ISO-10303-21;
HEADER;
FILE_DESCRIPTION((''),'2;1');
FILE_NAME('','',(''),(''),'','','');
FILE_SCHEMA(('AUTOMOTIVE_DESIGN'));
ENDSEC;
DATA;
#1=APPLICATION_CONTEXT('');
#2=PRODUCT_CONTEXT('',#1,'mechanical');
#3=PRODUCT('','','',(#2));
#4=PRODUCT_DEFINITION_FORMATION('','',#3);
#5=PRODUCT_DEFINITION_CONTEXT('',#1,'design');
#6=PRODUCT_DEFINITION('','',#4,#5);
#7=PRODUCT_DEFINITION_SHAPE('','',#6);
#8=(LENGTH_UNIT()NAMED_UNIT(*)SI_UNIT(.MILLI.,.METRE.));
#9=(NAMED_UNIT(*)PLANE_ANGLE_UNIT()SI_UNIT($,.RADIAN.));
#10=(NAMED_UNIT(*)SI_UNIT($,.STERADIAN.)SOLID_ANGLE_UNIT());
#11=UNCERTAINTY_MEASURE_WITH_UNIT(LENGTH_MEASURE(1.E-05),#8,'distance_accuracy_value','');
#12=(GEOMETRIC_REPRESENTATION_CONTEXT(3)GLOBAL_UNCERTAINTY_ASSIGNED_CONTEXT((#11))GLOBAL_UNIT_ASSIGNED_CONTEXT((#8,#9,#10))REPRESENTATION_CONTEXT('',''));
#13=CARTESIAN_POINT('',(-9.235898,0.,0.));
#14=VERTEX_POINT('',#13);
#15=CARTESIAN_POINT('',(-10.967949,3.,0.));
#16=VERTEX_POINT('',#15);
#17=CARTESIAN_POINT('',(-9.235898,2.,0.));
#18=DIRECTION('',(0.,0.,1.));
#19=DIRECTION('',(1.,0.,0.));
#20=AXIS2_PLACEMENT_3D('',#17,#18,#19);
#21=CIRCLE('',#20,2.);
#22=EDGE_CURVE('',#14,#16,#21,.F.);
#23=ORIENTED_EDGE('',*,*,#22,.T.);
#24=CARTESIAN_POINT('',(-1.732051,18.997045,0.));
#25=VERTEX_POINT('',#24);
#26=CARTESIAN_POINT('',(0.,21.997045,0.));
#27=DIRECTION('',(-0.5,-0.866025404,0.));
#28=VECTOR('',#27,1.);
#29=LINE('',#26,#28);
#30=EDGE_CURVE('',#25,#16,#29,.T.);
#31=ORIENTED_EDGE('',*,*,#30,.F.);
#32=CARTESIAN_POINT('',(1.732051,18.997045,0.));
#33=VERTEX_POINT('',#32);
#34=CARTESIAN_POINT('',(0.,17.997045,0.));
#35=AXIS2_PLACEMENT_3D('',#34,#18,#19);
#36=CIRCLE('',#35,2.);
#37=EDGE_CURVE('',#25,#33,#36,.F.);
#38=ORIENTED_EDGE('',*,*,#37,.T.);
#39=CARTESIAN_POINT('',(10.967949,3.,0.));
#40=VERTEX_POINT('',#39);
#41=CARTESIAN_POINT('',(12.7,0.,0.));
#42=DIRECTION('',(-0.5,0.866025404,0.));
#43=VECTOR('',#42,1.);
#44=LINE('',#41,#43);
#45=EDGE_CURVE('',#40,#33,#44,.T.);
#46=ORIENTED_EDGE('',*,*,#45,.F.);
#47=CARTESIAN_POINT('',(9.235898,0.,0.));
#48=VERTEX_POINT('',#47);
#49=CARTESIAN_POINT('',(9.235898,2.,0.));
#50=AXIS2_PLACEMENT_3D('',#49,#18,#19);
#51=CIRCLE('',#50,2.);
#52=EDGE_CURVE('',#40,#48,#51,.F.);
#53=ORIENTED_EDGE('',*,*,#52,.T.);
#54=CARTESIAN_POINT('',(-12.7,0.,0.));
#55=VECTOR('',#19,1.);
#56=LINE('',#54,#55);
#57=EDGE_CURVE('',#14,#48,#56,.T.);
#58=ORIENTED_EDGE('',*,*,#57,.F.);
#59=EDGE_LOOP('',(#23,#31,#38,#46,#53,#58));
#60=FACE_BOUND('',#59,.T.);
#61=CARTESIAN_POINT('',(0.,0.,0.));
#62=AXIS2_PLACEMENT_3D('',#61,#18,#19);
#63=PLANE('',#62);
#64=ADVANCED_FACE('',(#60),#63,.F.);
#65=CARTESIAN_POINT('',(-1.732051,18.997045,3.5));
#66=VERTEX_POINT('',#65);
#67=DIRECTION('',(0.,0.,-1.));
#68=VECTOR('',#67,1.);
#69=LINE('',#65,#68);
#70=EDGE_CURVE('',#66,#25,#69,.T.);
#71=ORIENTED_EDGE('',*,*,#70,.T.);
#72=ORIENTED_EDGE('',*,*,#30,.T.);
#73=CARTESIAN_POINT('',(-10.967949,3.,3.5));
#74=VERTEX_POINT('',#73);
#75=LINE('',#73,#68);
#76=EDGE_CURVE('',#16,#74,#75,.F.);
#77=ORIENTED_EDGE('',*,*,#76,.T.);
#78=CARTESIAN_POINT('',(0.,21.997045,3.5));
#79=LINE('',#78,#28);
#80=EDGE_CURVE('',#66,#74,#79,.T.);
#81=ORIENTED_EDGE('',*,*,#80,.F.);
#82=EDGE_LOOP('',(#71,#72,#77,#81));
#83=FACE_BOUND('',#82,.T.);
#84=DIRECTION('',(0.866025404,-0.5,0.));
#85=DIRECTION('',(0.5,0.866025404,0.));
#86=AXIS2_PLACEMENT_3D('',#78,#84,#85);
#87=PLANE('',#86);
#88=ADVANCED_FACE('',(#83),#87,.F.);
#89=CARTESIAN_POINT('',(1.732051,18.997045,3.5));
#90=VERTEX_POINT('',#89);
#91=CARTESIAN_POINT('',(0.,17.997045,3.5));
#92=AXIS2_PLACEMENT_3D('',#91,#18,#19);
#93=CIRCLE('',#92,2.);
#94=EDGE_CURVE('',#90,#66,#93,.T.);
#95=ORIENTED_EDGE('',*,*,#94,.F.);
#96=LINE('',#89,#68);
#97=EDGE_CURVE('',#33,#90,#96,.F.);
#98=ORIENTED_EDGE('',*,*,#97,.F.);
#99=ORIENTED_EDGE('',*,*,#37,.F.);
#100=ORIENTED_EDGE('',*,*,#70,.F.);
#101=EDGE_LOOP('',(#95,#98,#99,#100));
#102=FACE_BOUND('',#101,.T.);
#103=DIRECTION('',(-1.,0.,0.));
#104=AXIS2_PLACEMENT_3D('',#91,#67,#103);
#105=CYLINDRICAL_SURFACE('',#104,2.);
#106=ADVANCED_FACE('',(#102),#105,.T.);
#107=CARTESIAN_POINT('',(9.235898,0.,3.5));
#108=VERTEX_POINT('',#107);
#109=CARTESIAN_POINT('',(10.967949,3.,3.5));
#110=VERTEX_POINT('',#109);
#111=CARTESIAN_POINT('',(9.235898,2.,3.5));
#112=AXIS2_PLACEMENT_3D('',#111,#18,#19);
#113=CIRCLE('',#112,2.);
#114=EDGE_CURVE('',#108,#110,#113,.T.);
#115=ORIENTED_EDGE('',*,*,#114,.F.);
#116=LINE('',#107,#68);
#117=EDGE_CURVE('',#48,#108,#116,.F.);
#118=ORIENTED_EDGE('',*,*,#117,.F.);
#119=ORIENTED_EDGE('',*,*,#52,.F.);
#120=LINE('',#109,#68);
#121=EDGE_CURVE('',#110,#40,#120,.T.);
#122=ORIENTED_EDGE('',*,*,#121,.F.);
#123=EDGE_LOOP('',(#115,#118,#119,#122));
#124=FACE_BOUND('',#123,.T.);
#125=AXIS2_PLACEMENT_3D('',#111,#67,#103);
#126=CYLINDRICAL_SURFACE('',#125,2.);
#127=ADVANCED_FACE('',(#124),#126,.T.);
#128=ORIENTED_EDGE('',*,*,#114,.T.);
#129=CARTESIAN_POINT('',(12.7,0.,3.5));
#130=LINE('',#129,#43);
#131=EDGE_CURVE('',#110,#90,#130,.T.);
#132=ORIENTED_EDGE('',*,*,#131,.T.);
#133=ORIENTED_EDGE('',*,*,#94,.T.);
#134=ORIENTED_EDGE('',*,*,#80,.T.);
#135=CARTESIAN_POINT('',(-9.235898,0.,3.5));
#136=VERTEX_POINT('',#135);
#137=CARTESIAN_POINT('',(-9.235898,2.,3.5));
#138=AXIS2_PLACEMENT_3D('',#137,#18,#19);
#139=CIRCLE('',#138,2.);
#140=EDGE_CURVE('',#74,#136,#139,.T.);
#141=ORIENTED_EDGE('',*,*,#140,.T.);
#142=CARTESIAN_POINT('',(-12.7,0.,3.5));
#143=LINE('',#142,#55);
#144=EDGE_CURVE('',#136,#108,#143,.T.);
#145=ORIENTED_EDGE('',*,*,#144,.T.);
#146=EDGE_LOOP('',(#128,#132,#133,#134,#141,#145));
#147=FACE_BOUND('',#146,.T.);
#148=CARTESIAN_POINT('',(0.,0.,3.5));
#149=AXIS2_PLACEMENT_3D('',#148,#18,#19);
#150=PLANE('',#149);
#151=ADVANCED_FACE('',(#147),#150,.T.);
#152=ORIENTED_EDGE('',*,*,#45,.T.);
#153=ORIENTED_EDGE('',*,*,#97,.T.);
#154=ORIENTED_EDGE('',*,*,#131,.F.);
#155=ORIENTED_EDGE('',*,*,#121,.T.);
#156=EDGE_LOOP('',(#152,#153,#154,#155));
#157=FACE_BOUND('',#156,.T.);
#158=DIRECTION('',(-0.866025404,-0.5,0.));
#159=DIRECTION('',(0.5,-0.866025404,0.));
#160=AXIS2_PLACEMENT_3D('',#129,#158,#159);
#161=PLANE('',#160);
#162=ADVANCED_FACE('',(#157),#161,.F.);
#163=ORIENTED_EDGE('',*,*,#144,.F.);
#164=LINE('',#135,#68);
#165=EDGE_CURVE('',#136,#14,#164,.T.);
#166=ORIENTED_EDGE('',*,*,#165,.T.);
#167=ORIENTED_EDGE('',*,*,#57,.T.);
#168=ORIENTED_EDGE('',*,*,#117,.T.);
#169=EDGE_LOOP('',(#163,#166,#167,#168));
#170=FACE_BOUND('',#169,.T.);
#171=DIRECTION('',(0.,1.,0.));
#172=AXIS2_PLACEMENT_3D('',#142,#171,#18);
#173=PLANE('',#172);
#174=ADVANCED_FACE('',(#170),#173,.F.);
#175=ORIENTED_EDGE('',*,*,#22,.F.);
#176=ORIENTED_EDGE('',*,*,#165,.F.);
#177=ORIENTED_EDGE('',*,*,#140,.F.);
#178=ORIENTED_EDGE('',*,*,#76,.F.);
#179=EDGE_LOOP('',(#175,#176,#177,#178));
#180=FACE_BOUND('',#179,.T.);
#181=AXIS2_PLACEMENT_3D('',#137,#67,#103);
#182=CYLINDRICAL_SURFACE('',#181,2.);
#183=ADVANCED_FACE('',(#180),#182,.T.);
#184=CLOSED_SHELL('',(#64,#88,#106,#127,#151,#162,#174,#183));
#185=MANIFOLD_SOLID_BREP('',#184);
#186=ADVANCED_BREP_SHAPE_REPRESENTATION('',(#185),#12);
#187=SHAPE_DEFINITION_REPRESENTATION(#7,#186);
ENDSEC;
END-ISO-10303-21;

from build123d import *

# Parameters (mm, degrees)
BOSS_EXTRU_1_DEPTH = 3.5
CONG_1_R           = 2


with BuildPart() as part:
    # Esquisse1 → Boss.-Extru.1 (new body)
    with BuildSketch(Plane.XY):
        Polygon((-12.7, 0), (12.7, 0), (0, 21.997045256), align=None)
    extrude(amount=BOSS_EXTRU_1_DEPTH)

    # Congé1
    cong_1_edges = [part.edges().sort_by_distance(p)[0] for p in [
        (0, 21.997045256, 1.75),
        (12.7, 0, 1.75),
        (-12.7, 0, 1.75),
    ]]
    fillet(cong_1_edges, radius=CONG_1_R)


solid = part.part
